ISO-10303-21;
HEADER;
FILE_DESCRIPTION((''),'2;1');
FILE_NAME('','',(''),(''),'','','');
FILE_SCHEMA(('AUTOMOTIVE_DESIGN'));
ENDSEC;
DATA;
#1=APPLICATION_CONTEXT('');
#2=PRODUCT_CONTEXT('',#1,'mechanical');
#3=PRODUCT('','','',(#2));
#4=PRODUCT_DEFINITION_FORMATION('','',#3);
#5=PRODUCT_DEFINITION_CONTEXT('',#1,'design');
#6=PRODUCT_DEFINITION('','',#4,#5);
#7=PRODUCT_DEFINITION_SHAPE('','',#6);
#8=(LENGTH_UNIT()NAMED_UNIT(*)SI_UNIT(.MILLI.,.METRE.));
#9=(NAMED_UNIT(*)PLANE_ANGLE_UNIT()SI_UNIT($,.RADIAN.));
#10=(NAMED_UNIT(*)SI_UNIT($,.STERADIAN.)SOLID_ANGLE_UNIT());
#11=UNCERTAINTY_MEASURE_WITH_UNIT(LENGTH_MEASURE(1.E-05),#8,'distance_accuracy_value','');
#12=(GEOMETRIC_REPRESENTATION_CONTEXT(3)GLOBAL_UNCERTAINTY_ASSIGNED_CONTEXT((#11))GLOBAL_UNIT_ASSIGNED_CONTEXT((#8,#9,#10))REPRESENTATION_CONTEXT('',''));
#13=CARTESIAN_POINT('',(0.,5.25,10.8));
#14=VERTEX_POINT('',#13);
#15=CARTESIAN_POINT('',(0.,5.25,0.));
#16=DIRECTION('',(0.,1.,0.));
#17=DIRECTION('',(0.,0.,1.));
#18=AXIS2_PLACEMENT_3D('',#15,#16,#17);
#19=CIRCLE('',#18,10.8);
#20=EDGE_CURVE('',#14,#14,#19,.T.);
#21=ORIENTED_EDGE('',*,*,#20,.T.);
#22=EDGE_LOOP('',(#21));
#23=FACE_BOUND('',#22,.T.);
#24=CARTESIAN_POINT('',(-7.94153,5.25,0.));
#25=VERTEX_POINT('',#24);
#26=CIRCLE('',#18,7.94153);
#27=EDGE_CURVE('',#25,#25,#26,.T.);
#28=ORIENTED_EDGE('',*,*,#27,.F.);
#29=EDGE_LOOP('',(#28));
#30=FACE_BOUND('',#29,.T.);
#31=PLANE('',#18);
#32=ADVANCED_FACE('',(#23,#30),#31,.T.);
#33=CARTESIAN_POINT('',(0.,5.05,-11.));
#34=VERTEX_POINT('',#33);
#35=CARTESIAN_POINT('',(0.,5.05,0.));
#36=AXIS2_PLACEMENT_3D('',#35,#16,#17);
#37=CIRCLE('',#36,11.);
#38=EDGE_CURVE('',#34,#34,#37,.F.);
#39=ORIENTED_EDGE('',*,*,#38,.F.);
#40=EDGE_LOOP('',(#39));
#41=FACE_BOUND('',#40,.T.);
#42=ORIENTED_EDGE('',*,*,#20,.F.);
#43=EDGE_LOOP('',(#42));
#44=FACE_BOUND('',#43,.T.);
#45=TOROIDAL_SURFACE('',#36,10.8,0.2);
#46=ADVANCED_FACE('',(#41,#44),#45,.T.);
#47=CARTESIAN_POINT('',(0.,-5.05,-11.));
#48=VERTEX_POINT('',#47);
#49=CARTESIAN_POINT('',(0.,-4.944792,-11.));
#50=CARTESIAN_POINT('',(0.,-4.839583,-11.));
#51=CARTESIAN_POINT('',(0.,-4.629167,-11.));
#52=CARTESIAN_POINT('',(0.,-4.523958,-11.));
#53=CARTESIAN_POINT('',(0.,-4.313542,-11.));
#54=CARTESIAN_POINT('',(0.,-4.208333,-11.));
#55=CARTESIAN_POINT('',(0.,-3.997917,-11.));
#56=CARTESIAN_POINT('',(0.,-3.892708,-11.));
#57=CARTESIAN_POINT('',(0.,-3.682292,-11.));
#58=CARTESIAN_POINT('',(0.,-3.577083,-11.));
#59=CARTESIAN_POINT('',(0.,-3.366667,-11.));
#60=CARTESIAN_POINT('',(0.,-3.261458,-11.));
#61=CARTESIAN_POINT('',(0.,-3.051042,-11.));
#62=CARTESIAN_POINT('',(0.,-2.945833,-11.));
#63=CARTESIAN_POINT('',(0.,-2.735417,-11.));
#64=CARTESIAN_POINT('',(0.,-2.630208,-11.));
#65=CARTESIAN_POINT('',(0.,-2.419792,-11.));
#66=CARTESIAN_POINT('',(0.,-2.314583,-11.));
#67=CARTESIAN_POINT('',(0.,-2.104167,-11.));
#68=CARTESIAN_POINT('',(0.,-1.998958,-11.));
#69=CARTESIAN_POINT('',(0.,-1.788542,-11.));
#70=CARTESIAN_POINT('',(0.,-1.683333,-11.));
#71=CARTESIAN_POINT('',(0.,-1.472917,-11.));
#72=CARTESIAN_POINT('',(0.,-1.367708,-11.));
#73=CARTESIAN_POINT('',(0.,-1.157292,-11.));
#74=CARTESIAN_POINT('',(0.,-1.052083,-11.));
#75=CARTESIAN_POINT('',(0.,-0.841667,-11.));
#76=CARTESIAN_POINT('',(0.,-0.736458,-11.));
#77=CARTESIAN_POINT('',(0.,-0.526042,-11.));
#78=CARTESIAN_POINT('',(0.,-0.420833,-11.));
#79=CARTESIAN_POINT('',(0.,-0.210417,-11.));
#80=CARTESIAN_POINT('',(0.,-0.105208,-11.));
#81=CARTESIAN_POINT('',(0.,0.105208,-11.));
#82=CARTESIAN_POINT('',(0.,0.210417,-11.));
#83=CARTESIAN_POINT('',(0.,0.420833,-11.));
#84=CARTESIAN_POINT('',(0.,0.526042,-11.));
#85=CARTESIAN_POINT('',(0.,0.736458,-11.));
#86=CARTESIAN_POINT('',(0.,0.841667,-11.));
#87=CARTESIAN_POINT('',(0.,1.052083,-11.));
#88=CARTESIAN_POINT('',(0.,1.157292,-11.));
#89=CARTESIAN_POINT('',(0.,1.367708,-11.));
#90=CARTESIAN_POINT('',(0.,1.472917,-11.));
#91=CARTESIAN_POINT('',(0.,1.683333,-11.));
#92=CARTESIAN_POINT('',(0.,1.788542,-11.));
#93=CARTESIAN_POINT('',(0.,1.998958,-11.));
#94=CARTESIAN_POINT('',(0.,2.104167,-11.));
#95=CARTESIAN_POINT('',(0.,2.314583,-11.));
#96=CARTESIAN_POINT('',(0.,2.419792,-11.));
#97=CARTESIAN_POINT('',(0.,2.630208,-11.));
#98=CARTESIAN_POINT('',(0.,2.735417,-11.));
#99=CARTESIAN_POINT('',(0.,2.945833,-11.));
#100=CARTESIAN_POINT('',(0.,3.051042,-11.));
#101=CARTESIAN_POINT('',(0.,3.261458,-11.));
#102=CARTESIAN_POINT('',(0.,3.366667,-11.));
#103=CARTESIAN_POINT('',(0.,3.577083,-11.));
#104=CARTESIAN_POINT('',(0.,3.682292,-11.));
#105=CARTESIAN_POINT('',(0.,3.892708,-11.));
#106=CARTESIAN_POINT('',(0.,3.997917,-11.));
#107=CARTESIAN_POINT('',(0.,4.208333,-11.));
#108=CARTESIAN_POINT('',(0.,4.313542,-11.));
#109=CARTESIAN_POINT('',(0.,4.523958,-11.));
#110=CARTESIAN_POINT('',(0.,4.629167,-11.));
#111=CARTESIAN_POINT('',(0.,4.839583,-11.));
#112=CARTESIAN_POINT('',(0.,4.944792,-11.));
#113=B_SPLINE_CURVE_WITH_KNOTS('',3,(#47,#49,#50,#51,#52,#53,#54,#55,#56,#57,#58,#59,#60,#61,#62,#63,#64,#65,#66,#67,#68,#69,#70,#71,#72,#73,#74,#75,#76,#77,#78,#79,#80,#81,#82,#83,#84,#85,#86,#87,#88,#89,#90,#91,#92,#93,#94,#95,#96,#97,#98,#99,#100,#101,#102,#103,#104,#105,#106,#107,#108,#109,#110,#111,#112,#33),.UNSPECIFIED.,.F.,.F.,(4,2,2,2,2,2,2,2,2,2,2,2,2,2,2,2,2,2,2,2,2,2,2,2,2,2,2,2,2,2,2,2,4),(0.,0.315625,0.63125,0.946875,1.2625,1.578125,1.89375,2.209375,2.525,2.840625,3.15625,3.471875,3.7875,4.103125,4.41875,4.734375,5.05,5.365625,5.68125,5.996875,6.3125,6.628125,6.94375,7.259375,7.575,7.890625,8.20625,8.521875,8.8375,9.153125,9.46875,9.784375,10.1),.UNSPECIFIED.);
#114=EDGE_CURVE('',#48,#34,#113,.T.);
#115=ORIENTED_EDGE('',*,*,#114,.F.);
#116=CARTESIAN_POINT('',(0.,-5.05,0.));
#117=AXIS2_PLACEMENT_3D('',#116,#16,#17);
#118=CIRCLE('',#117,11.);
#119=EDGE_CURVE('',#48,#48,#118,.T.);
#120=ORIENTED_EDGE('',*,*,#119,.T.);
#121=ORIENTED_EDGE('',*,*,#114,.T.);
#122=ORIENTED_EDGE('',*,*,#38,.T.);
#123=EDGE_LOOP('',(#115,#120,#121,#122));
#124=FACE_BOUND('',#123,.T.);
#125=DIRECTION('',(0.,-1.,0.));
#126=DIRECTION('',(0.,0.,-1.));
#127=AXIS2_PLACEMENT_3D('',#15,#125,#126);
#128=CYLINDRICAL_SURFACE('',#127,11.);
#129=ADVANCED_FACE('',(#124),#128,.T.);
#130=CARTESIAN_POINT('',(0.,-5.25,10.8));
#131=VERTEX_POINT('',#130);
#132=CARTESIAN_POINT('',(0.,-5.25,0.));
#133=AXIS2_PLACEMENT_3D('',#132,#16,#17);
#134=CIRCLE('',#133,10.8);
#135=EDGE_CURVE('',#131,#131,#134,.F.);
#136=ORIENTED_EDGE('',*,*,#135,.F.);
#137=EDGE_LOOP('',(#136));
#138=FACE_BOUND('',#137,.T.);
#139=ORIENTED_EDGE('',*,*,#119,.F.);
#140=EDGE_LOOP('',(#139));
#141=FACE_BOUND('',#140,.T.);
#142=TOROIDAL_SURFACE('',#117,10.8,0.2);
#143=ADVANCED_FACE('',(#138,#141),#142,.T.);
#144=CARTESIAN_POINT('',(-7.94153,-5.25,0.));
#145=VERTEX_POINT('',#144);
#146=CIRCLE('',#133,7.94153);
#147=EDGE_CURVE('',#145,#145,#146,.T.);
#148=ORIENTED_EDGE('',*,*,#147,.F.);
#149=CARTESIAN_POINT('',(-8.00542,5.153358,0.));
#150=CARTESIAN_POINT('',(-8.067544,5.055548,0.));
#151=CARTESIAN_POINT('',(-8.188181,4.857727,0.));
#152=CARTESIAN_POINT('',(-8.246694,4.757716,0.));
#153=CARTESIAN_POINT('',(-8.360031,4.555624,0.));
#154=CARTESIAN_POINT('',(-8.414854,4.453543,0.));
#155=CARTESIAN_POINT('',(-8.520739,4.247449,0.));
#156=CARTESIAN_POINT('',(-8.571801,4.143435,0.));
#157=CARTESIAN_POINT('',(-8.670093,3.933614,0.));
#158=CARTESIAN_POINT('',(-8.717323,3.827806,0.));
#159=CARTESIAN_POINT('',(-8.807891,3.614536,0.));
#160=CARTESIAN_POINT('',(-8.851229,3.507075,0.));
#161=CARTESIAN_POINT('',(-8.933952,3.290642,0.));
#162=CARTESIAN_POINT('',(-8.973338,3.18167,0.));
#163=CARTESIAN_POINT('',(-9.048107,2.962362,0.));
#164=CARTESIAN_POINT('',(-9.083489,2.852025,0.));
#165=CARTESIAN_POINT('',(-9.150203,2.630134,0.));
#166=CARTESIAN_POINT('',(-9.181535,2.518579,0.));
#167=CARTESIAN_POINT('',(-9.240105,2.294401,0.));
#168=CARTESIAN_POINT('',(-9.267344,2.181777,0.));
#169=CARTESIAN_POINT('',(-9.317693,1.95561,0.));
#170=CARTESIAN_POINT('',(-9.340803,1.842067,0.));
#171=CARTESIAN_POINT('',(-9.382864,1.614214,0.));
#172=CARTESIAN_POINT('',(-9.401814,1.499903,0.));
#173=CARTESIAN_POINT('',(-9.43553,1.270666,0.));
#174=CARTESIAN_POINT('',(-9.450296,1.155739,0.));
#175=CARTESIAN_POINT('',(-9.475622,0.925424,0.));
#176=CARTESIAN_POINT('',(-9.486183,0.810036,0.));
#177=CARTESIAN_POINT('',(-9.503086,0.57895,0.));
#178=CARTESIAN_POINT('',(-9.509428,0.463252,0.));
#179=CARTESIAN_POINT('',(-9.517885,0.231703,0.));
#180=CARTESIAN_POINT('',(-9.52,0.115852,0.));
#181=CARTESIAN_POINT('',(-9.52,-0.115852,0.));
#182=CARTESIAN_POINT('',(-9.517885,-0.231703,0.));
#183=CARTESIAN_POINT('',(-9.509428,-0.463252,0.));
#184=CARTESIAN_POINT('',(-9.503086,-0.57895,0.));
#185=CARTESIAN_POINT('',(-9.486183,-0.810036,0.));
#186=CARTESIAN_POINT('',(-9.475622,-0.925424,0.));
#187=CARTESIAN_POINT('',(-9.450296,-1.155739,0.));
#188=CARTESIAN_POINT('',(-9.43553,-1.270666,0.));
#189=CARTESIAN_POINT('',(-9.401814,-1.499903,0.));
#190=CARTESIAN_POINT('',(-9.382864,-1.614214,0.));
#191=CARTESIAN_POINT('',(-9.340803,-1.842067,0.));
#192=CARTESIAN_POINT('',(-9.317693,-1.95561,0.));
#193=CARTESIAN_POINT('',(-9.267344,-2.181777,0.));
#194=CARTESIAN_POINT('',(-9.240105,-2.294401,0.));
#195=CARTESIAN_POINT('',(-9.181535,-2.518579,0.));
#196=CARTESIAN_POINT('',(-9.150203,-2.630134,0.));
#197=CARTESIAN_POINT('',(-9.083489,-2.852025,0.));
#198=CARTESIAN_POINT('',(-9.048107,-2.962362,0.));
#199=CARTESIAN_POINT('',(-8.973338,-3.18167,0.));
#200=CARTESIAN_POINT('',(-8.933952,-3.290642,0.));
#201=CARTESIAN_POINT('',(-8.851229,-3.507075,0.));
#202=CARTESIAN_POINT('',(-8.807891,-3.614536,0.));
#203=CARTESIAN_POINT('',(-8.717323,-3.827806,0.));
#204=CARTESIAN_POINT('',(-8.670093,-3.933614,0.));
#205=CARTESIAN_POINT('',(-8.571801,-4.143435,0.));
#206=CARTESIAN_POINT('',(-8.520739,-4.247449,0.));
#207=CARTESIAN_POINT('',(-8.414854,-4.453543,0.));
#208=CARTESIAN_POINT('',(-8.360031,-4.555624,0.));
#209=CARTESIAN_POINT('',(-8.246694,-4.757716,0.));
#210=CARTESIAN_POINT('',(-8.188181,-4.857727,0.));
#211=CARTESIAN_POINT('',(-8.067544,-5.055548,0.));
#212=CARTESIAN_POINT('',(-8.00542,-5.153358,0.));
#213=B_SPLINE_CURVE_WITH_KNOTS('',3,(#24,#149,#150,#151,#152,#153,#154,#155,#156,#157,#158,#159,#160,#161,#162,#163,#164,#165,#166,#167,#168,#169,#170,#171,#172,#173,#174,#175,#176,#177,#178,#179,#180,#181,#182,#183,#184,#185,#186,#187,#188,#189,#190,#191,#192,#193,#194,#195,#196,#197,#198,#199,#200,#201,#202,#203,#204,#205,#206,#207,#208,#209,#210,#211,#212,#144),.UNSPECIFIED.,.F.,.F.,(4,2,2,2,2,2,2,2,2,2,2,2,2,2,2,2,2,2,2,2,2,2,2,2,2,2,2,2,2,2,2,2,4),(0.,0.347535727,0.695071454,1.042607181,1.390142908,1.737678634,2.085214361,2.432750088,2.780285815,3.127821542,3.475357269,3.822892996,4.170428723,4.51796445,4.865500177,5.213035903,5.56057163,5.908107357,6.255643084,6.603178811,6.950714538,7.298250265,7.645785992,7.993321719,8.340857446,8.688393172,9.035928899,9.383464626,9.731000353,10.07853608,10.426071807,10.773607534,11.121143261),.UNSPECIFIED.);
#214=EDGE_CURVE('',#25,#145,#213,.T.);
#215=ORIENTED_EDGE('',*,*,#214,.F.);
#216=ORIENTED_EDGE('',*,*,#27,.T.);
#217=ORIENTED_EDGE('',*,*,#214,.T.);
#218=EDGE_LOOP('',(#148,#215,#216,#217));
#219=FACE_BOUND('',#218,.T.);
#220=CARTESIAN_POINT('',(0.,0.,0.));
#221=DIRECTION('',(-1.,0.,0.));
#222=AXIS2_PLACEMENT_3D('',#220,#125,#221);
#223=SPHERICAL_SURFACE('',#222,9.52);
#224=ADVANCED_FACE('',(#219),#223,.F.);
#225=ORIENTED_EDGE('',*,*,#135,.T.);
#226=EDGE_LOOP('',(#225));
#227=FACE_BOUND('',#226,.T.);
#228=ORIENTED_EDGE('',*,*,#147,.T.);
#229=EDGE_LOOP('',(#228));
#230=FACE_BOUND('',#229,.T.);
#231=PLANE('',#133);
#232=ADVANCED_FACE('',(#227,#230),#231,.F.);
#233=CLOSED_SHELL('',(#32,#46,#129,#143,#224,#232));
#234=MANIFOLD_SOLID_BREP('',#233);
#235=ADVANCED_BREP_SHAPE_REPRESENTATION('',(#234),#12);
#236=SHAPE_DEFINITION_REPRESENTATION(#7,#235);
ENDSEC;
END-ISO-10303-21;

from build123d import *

# Parameters (mm, degrees)
SZKIC1_R                    = 11
DODANIE_WYCI_GNI_CIE1_DEPTH = 5.25
ZAOKR_GLENIE1_R             = 0.2


with BuildPart() as part:
    # Szkic1 → Dodanie-wyciągnięcie1 (new, symmetric)
    with BuildSketch(Plane(origin=(0, 0, 0), x_dir=(1, 0, 0), z_dir=(0, 1, 0))):
        with Locations(Location((0, 0, 0), (0, 0, 90))):
            Circle(SZKIC1_R)
    extrude(amount=DODANIE_WYCI_GNI_CIE1_DEPTH, both=True)

    # Szkic3 → Wycięcie-obrót1 (revolve, cut)
    with BuildSketch(Plane.XY):
        with BuildLine():
            Line((0, -9.52), (0, 9.52))
            ThreePointArc((0, 9.52), (9.52, 0), (0, -9.52))
        make_face()
    revolve(axis=Axis((0, -9.52, 0), (0, 1, 0)), mode=Mode.SUBTRACT)

    # Zaokrąglenie1
    zaokr_glenie1_edges = [part.edges().sort_by_distance(p)[0] for p in [
        (0, -5.25, 11),
        (0, 5.25, 11),
    ]]
    fillet(zaokr_glenie1_edges, radius=ZAOKR_GLENIE1_R)


solid = part.part
